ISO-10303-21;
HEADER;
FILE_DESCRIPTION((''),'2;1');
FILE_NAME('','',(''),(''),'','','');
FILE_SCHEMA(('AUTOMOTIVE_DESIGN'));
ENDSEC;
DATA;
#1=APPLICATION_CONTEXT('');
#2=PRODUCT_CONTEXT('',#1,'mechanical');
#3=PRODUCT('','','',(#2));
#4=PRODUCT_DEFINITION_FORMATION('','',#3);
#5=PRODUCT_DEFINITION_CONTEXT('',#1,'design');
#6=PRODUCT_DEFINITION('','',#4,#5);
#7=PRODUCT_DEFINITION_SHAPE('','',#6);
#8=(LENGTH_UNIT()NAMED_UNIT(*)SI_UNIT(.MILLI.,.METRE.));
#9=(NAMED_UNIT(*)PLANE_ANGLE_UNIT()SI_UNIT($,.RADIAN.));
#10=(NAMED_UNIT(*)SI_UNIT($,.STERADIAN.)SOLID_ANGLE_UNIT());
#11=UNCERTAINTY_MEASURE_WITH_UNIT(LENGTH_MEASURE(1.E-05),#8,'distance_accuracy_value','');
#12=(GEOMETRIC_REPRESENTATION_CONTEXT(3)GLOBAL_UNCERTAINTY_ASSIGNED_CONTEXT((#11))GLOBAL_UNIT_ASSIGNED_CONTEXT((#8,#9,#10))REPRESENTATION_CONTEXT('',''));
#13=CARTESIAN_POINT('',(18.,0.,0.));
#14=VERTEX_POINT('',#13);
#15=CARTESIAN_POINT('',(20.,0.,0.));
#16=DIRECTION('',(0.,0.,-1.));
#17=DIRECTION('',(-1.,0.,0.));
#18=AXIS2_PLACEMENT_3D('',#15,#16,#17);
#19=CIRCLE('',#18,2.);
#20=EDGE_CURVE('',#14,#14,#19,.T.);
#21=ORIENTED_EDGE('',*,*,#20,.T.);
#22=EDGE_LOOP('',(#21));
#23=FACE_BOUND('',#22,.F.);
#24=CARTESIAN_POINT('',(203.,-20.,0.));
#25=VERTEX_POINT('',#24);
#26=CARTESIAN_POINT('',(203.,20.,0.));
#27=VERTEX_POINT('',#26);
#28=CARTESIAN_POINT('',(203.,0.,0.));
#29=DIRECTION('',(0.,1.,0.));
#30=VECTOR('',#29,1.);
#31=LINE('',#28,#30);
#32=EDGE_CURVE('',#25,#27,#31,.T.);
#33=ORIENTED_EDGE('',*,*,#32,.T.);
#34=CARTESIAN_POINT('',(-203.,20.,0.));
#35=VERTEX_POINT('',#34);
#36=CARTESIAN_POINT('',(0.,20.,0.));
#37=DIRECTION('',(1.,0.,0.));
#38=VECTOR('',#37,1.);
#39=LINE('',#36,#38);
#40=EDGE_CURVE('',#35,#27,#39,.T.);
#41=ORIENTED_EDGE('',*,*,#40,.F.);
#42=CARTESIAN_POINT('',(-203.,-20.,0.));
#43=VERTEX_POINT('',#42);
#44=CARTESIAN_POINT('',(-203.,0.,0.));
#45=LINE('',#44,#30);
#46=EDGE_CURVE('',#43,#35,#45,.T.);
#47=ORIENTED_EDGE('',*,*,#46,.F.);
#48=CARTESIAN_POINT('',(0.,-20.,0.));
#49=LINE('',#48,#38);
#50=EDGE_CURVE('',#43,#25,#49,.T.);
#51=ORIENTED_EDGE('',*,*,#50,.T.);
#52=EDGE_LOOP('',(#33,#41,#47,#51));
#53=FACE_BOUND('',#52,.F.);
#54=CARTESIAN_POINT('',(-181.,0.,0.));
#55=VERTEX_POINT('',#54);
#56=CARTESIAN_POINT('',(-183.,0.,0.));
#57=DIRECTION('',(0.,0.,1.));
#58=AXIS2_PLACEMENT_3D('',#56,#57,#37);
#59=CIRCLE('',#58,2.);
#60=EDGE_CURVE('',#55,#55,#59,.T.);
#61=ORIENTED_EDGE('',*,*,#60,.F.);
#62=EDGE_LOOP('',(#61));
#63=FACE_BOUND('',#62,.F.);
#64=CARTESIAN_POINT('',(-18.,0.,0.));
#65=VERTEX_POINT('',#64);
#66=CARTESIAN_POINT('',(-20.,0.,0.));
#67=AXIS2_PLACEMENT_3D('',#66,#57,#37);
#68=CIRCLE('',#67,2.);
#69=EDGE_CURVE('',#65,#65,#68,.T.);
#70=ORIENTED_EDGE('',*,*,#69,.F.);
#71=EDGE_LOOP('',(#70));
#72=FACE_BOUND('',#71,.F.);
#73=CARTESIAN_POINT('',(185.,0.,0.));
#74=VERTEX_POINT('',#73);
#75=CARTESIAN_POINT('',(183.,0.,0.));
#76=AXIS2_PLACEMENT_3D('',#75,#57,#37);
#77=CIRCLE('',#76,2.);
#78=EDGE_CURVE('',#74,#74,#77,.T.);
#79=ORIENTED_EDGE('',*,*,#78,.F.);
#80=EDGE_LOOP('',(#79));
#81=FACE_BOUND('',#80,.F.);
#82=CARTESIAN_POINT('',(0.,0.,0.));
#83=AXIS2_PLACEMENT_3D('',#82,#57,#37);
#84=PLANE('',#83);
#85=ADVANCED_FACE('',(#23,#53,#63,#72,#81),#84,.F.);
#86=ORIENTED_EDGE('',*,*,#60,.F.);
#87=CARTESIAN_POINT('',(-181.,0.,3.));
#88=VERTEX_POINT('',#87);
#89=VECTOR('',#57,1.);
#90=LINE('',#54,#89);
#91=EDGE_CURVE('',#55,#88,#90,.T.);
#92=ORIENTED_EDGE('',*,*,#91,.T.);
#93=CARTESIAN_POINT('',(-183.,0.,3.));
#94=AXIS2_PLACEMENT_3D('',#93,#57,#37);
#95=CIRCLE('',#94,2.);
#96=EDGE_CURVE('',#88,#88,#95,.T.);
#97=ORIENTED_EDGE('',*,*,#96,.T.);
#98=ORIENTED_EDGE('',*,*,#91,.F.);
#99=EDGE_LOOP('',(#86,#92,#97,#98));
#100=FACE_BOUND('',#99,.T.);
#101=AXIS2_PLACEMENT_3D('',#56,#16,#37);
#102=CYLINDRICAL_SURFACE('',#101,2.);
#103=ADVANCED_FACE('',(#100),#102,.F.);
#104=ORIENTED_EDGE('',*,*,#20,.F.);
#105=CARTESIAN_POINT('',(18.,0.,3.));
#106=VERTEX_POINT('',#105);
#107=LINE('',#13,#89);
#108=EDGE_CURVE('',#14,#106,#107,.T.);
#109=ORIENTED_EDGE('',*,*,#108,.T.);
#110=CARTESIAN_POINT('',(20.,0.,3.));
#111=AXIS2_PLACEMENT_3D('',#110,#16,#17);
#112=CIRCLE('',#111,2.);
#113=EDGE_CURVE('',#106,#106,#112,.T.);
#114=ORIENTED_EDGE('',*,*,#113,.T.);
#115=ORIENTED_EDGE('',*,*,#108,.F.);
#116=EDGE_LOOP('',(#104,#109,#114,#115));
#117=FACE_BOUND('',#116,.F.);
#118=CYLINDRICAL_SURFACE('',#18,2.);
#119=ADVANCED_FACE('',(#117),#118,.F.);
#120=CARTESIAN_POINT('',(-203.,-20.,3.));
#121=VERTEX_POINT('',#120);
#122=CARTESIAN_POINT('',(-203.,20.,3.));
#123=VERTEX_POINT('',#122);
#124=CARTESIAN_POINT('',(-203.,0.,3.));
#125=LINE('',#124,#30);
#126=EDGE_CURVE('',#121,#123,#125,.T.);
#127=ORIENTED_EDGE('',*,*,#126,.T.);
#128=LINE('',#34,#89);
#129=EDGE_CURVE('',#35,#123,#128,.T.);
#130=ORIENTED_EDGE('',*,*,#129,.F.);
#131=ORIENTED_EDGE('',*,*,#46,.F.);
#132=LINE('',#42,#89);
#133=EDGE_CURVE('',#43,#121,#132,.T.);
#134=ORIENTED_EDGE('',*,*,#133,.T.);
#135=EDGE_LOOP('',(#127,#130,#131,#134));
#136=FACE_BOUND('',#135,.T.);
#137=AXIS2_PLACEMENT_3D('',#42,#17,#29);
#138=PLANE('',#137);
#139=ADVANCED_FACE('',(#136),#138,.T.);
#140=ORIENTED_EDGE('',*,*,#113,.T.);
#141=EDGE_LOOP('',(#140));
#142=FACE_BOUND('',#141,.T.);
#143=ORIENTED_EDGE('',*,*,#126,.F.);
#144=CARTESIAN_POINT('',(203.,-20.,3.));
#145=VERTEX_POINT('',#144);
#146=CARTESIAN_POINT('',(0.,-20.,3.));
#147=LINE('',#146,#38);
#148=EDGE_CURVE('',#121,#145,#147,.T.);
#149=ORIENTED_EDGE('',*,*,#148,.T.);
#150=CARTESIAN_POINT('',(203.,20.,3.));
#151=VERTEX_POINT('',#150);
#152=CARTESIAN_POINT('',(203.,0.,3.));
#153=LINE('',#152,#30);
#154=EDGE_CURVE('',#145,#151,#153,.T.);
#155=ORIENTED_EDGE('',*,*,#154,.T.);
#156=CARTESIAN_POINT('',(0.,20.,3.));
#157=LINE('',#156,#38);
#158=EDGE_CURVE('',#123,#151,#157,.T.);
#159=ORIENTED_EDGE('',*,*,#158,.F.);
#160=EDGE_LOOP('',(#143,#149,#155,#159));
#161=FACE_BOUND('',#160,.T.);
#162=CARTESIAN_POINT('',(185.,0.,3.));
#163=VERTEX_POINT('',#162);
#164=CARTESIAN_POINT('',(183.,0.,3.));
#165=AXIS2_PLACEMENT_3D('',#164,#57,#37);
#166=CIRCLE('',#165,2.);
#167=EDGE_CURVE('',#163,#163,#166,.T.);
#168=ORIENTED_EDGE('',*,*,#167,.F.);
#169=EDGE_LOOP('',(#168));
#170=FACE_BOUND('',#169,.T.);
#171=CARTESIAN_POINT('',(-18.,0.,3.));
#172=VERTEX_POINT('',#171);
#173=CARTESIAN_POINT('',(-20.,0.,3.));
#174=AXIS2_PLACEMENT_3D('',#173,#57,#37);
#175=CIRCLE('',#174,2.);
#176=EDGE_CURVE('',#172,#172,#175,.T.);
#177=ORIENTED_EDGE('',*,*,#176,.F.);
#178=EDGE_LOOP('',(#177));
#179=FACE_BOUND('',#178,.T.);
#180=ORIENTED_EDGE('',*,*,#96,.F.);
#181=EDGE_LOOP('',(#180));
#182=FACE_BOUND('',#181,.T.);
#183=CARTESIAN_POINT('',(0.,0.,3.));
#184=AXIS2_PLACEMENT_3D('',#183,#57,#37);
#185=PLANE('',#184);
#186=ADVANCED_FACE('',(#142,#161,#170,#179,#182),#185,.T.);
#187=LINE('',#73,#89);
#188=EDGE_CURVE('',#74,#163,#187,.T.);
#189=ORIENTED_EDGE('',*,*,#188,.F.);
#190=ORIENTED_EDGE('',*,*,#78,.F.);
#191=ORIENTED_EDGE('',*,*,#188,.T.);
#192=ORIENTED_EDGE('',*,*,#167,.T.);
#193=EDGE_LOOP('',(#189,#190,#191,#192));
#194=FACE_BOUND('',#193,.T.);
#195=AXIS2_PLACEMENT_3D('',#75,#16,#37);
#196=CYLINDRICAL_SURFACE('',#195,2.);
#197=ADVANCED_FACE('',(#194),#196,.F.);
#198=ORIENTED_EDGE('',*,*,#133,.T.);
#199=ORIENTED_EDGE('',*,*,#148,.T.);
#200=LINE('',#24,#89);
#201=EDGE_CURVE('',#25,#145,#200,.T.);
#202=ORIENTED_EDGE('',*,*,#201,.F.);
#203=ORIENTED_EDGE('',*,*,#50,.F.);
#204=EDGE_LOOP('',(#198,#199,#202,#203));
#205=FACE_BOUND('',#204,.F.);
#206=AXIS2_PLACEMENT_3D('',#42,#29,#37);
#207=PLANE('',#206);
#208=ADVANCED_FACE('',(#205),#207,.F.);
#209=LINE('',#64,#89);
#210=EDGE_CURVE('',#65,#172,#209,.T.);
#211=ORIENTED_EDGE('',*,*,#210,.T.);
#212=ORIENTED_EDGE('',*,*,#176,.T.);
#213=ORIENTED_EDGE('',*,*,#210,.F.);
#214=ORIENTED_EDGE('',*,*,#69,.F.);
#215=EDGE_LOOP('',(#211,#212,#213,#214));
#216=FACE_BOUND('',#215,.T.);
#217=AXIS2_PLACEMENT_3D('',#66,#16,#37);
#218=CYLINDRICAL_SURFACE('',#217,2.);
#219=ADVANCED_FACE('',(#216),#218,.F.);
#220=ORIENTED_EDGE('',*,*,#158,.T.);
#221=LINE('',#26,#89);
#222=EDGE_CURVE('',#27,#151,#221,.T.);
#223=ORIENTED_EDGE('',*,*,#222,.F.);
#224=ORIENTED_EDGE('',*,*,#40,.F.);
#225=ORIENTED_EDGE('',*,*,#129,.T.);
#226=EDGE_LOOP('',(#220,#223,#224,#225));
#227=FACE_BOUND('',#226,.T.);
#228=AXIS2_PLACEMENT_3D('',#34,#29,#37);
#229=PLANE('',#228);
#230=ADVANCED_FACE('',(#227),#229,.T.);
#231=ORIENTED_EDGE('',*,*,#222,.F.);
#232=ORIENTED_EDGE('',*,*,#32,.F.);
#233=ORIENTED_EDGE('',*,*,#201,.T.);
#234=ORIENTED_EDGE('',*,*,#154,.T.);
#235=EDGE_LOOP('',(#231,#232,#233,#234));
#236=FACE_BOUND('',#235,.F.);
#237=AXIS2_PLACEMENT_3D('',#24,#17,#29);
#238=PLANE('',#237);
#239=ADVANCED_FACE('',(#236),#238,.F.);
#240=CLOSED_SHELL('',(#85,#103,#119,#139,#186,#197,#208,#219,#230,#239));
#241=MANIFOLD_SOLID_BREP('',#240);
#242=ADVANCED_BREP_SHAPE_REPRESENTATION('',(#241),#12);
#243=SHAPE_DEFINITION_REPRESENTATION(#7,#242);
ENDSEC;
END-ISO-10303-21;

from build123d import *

# Parameters (mm, degrees)
F0_W     = 406
F0_H     = 40
F0_R     = 2
F1_DEPTH = 3


with BuildPart() as f1:
    # F0 (on Top) → F1 (new body)
    with BuildSketch(Plane.XY):
        Rectangle(F0_W, F0_H)
        with Locations((-183, 0)):
            Circle(F0_R, mode=Mode.SUBTRACT)
        with Locations((-20, 0)):
            Circle(F0_R, mode=Mode.SUBTRACT)
        with BuildLine():
            ThreePointArc((22, 0), (20, -2), (18, 0))
            ThreePointArc((18, 0), (20, 2), (22, 0))
        make_face(mode=Mode.SUBTRACT)
        with Locations((183, 0)):
            Circle(F0_R, mode=Mode.SUBTRACT)
    extrude(amount=F1_DEPTH)


solid = f1.part
